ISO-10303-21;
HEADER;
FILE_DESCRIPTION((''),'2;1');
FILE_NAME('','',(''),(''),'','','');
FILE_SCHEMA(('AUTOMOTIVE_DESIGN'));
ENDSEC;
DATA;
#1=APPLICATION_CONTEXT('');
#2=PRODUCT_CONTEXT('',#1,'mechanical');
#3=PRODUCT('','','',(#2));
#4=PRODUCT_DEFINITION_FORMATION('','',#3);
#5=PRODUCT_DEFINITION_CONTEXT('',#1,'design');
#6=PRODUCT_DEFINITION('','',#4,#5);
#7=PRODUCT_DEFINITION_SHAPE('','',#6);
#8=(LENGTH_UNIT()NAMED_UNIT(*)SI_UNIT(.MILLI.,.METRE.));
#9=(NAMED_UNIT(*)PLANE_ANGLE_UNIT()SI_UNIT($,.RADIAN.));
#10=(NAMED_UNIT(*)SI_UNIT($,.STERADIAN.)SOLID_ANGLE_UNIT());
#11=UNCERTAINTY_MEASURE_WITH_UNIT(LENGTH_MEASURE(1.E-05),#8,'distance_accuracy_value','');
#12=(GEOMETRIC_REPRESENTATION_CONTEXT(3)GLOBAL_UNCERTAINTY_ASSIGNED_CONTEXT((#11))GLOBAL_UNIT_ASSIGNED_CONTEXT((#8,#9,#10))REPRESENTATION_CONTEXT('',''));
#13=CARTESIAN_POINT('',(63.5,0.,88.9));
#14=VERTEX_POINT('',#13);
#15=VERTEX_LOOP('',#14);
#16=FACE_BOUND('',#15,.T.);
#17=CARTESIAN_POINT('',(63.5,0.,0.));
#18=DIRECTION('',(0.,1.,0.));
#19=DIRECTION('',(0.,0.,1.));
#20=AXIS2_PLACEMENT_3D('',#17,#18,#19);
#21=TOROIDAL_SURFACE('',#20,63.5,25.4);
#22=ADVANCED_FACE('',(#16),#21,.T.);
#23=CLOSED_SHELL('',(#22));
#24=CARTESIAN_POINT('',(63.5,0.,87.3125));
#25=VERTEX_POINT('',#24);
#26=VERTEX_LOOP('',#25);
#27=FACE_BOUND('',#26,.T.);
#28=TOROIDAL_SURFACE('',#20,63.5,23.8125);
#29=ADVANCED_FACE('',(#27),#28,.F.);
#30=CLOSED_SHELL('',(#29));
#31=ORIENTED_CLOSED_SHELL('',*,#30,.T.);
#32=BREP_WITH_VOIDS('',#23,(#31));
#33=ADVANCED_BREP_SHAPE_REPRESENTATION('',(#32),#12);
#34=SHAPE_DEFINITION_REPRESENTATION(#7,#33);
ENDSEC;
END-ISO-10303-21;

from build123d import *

# Parameters (mm, degrees)
SKETCH1_R   = 25.4
SKETCH1_R_2 = 23.8125


with BuildPart() as part:
    # Sketch1 → Revolve2 (revolve)
    with BuildSketch(Plane.XY, mode=Mode.PRIVATE) as revolve2_sk:
        Circle(SKETCH1_R)
        Circle(SKETCH1_R_2, mode=Mode.SUBTRACT)
    revolve(revolve2_sk.sketch.rotate(Axis((63.5, 33.286272064, 0), (0, -1, 0)), 90), axis=Axis((63.5, 33.286272064, 0), (0, -1, 0)))


solid = part.part
